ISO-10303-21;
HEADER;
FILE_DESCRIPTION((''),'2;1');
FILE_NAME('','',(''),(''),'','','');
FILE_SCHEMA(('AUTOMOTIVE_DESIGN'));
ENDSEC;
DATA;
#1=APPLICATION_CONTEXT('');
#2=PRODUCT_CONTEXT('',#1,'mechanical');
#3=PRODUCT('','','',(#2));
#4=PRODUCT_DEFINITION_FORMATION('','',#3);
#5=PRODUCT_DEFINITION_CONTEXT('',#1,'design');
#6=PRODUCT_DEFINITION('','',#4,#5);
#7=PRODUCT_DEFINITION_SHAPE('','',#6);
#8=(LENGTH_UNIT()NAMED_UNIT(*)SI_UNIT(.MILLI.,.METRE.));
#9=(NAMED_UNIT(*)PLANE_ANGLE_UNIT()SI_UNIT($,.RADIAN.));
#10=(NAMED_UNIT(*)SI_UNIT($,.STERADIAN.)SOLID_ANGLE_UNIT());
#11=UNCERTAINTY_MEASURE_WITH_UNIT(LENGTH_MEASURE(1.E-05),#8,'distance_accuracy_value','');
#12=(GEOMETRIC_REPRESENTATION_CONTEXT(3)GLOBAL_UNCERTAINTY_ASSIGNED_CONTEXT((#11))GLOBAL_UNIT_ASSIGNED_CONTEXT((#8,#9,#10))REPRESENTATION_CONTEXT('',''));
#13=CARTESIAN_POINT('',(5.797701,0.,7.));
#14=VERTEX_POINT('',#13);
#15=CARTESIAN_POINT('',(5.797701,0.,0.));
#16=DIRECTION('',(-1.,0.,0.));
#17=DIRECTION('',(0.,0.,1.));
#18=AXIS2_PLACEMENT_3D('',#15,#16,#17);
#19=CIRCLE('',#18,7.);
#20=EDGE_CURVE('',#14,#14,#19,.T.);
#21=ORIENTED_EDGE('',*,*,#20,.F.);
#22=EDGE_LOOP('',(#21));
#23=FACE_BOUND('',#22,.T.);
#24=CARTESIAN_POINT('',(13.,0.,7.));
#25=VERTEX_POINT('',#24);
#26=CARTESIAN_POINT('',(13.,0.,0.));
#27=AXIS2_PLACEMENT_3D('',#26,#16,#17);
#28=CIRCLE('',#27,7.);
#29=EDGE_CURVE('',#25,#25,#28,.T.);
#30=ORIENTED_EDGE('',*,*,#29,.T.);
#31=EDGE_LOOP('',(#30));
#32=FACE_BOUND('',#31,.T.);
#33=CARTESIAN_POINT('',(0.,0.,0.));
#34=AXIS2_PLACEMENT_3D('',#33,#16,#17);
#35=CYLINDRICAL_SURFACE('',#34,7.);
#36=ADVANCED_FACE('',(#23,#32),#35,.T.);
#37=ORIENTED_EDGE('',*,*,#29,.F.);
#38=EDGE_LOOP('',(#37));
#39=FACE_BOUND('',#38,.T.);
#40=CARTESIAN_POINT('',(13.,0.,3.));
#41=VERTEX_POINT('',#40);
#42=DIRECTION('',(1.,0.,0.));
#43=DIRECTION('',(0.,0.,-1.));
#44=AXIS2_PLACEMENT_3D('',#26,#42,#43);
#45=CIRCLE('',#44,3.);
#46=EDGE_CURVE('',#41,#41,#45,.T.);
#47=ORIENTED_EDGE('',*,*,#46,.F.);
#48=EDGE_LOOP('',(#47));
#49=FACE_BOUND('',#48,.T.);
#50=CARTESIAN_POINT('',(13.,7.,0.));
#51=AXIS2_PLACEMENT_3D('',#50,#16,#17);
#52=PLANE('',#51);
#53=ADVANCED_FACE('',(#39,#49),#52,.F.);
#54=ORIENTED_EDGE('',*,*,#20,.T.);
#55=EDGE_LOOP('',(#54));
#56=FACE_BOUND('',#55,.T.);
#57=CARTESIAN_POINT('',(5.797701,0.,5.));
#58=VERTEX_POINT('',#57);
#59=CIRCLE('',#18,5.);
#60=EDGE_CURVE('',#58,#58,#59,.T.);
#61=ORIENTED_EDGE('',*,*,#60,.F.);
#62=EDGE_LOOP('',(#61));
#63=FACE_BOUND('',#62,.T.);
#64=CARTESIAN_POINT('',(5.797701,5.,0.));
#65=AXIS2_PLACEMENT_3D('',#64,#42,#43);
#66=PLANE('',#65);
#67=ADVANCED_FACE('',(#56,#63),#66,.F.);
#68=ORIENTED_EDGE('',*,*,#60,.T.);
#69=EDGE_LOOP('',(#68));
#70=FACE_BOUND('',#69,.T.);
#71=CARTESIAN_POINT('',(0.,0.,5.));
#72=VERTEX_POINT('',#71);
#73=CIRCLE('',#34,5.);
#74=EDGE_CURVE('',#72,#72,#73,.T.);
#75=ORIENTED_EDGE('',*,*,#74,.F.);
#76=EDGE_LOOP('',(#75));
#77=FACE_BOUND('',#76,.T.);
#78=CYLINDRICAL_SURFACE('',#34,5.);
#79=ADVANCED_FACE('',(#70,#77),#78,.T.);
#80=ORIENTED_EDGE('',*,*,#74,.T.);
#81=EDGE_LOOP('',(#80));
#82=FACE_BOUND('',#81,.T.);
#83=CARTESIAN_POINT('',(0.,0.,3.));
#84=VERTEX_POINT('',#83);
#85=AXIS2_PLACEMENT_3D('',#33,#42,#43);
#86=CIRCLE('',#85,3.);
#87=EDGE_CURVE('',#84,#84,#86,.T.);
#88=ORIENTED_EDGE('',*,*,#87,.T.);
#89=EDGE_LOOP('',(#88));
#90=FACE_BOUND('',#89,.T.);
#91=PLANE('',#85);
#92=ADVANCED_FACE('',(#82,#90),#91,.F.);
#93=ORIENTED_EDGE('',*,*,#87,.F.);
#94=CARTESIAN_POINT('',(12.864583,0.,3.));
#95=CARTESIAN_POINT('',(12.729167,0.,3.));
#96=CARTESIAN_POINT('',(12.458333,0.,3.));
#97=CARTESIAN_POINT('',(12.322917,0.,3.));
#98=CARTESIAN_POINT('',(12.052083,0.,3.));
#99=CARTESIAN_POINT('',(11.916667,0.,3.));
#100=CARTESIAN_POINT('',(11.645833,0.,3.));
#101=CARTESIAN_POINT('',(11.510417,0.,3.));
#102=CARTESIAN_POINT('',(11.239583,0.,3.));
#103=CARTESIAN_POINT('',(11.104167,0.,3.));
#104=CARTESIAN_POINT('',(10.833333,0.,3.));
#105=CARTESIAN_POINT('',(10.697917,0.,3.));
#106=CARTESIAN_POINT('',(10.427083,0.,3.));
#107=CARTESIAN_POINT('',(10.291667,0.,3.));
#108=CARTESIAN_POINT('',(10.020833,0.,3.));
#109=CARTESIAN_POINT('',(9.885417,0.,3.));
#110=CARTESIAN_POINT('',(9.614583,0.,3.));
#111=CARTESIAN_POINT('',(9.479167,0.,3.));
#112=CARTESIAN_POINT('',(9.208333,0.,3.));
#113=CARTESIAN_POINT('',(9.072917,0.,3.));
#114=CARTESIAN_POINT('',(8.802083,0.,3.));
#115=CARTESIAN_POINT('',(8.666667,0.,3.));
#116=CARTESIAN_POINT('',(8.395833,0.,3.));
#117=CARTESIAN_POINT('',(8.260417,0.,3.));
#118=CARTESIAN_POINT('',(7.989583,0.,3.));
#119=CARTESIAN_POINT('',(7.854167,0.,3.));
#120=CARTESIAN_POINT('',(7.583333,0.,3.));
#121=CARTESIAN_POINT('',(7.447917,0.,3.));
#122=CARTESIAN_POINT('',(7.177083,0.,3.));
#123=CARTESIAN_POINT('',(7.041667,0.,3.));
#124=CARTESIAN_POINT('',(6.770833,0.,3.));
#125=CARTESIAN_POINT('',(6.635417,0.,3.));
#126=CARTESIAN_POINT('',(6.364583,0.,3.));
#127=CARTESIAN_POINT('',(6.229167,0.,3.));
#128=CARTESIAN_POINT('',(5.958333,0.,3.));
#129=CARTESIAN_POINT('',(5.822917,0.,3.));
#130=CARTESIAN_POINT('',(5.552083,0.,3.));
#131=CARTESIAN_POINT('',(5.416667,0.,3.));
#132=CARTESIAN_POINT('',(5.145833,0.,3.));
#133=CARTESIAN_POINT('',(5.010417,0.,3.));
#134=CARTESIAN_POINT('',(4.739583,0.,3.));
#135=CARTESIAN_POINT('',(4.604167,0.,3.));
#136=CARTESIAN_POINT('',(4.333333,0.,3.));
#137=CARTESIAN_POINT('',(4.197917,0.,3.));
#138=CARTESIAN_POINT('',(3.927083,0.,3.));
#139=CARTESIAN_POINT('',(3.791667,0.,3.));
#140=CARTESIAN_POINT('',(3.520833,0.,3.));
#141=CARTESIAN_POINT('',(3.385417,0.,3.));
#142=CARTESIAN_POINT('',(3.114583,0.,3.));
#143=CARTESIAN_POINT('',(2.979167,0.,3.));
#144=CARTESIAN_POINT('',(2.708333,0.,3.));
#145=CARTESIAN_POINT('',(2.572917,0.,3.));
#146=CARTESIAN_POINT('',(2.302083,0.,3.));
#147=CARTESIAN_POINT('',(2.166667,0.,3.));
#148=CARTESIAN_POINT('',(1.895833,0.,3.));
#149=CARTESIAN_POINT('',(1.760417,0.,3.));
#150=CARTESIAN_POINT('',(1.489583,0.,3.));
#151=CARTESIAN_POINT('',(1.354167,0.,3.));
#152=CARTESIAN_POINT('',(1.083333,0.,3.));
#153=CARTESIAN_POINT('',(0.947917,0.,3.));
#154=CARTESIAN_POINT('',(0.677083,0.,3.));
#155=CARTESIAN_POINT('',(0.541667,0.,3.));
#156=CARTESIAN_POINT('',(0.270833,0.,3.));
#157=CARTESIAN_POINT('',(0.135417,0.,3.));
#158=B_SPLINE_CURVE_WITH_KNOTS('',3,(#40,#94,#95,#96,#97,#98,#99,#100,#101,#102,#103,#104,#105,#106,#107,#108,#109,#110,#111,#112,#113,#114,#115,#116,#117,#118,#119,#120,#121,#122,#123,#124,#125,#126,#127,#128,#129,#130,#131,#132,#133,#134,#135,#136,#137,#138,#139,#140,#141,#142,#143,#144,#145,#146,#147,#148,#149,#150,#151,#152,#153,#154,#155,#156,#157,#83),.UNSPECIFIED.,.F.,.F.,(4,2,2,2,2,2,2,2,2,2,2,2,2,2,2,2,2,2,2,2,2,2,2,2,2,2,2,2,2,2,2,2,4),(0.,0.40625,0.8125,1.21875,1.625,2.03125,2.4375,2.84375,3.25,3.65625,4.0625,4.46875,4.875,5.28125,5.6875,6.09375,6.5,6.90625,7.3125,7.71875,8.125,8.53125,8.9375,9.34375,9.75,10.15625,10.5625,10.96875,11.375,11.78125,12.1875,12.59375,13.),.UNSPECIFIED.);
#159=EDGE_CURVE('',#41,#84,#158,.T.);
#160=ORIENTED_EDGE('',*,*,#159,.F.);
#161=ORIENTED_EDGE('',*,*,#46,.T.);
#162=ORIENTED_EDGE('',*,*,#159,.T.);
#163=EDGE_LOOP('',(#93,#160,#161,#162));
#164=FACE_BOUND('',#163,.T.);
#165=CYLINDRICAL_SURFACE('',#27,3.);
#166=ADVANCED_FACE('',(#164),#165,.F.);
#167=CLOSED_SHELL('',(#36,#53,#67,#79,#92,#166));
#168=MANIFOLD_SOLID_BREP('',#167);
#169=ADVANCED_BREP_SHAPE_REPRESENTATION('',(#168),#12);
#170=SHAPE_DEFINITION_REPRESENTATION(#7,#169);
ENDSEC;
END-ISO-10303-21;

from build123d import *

# Parameters (mm, degrees)
SKETCH3_R          = 3
CUT_EXTRUDE1_DEPTH = 17.340134638


with BuildPart() as part:
    # Sketch1 → Revolve1 (revolve)
    with BuildSketch(Plane.XY, mode=Mode.PRIVATE) as revolve1_sk:
        Polygon((0, 0), (0, 5), (5.797701149, 5), (5.797701149, 7), (13, 7), (13, 0), align=None)
    revolve(revolve1_sk.sketch.rotate(Axis((0, 0, 0), (1, 0, 0)), 90), axis=Axis((0, 0, 0), (1, 0, 0)))

    # Sketch3 → Cut-Extrude1 (cut, through all)
    with BuildSketch(Plane(origin=(0, 0, 0), x_dir=(0, 0, -1), z_dir=(1, 0, 0))):
        with Locations(Location((0, 0, 0), (0, 0, 180))):
            Circle(SKETCH3_R)
    extrude(amount=CUT_EXTRUDE1_DEPTH, mode=Mode.SUBTRACT)


solid = part.part
